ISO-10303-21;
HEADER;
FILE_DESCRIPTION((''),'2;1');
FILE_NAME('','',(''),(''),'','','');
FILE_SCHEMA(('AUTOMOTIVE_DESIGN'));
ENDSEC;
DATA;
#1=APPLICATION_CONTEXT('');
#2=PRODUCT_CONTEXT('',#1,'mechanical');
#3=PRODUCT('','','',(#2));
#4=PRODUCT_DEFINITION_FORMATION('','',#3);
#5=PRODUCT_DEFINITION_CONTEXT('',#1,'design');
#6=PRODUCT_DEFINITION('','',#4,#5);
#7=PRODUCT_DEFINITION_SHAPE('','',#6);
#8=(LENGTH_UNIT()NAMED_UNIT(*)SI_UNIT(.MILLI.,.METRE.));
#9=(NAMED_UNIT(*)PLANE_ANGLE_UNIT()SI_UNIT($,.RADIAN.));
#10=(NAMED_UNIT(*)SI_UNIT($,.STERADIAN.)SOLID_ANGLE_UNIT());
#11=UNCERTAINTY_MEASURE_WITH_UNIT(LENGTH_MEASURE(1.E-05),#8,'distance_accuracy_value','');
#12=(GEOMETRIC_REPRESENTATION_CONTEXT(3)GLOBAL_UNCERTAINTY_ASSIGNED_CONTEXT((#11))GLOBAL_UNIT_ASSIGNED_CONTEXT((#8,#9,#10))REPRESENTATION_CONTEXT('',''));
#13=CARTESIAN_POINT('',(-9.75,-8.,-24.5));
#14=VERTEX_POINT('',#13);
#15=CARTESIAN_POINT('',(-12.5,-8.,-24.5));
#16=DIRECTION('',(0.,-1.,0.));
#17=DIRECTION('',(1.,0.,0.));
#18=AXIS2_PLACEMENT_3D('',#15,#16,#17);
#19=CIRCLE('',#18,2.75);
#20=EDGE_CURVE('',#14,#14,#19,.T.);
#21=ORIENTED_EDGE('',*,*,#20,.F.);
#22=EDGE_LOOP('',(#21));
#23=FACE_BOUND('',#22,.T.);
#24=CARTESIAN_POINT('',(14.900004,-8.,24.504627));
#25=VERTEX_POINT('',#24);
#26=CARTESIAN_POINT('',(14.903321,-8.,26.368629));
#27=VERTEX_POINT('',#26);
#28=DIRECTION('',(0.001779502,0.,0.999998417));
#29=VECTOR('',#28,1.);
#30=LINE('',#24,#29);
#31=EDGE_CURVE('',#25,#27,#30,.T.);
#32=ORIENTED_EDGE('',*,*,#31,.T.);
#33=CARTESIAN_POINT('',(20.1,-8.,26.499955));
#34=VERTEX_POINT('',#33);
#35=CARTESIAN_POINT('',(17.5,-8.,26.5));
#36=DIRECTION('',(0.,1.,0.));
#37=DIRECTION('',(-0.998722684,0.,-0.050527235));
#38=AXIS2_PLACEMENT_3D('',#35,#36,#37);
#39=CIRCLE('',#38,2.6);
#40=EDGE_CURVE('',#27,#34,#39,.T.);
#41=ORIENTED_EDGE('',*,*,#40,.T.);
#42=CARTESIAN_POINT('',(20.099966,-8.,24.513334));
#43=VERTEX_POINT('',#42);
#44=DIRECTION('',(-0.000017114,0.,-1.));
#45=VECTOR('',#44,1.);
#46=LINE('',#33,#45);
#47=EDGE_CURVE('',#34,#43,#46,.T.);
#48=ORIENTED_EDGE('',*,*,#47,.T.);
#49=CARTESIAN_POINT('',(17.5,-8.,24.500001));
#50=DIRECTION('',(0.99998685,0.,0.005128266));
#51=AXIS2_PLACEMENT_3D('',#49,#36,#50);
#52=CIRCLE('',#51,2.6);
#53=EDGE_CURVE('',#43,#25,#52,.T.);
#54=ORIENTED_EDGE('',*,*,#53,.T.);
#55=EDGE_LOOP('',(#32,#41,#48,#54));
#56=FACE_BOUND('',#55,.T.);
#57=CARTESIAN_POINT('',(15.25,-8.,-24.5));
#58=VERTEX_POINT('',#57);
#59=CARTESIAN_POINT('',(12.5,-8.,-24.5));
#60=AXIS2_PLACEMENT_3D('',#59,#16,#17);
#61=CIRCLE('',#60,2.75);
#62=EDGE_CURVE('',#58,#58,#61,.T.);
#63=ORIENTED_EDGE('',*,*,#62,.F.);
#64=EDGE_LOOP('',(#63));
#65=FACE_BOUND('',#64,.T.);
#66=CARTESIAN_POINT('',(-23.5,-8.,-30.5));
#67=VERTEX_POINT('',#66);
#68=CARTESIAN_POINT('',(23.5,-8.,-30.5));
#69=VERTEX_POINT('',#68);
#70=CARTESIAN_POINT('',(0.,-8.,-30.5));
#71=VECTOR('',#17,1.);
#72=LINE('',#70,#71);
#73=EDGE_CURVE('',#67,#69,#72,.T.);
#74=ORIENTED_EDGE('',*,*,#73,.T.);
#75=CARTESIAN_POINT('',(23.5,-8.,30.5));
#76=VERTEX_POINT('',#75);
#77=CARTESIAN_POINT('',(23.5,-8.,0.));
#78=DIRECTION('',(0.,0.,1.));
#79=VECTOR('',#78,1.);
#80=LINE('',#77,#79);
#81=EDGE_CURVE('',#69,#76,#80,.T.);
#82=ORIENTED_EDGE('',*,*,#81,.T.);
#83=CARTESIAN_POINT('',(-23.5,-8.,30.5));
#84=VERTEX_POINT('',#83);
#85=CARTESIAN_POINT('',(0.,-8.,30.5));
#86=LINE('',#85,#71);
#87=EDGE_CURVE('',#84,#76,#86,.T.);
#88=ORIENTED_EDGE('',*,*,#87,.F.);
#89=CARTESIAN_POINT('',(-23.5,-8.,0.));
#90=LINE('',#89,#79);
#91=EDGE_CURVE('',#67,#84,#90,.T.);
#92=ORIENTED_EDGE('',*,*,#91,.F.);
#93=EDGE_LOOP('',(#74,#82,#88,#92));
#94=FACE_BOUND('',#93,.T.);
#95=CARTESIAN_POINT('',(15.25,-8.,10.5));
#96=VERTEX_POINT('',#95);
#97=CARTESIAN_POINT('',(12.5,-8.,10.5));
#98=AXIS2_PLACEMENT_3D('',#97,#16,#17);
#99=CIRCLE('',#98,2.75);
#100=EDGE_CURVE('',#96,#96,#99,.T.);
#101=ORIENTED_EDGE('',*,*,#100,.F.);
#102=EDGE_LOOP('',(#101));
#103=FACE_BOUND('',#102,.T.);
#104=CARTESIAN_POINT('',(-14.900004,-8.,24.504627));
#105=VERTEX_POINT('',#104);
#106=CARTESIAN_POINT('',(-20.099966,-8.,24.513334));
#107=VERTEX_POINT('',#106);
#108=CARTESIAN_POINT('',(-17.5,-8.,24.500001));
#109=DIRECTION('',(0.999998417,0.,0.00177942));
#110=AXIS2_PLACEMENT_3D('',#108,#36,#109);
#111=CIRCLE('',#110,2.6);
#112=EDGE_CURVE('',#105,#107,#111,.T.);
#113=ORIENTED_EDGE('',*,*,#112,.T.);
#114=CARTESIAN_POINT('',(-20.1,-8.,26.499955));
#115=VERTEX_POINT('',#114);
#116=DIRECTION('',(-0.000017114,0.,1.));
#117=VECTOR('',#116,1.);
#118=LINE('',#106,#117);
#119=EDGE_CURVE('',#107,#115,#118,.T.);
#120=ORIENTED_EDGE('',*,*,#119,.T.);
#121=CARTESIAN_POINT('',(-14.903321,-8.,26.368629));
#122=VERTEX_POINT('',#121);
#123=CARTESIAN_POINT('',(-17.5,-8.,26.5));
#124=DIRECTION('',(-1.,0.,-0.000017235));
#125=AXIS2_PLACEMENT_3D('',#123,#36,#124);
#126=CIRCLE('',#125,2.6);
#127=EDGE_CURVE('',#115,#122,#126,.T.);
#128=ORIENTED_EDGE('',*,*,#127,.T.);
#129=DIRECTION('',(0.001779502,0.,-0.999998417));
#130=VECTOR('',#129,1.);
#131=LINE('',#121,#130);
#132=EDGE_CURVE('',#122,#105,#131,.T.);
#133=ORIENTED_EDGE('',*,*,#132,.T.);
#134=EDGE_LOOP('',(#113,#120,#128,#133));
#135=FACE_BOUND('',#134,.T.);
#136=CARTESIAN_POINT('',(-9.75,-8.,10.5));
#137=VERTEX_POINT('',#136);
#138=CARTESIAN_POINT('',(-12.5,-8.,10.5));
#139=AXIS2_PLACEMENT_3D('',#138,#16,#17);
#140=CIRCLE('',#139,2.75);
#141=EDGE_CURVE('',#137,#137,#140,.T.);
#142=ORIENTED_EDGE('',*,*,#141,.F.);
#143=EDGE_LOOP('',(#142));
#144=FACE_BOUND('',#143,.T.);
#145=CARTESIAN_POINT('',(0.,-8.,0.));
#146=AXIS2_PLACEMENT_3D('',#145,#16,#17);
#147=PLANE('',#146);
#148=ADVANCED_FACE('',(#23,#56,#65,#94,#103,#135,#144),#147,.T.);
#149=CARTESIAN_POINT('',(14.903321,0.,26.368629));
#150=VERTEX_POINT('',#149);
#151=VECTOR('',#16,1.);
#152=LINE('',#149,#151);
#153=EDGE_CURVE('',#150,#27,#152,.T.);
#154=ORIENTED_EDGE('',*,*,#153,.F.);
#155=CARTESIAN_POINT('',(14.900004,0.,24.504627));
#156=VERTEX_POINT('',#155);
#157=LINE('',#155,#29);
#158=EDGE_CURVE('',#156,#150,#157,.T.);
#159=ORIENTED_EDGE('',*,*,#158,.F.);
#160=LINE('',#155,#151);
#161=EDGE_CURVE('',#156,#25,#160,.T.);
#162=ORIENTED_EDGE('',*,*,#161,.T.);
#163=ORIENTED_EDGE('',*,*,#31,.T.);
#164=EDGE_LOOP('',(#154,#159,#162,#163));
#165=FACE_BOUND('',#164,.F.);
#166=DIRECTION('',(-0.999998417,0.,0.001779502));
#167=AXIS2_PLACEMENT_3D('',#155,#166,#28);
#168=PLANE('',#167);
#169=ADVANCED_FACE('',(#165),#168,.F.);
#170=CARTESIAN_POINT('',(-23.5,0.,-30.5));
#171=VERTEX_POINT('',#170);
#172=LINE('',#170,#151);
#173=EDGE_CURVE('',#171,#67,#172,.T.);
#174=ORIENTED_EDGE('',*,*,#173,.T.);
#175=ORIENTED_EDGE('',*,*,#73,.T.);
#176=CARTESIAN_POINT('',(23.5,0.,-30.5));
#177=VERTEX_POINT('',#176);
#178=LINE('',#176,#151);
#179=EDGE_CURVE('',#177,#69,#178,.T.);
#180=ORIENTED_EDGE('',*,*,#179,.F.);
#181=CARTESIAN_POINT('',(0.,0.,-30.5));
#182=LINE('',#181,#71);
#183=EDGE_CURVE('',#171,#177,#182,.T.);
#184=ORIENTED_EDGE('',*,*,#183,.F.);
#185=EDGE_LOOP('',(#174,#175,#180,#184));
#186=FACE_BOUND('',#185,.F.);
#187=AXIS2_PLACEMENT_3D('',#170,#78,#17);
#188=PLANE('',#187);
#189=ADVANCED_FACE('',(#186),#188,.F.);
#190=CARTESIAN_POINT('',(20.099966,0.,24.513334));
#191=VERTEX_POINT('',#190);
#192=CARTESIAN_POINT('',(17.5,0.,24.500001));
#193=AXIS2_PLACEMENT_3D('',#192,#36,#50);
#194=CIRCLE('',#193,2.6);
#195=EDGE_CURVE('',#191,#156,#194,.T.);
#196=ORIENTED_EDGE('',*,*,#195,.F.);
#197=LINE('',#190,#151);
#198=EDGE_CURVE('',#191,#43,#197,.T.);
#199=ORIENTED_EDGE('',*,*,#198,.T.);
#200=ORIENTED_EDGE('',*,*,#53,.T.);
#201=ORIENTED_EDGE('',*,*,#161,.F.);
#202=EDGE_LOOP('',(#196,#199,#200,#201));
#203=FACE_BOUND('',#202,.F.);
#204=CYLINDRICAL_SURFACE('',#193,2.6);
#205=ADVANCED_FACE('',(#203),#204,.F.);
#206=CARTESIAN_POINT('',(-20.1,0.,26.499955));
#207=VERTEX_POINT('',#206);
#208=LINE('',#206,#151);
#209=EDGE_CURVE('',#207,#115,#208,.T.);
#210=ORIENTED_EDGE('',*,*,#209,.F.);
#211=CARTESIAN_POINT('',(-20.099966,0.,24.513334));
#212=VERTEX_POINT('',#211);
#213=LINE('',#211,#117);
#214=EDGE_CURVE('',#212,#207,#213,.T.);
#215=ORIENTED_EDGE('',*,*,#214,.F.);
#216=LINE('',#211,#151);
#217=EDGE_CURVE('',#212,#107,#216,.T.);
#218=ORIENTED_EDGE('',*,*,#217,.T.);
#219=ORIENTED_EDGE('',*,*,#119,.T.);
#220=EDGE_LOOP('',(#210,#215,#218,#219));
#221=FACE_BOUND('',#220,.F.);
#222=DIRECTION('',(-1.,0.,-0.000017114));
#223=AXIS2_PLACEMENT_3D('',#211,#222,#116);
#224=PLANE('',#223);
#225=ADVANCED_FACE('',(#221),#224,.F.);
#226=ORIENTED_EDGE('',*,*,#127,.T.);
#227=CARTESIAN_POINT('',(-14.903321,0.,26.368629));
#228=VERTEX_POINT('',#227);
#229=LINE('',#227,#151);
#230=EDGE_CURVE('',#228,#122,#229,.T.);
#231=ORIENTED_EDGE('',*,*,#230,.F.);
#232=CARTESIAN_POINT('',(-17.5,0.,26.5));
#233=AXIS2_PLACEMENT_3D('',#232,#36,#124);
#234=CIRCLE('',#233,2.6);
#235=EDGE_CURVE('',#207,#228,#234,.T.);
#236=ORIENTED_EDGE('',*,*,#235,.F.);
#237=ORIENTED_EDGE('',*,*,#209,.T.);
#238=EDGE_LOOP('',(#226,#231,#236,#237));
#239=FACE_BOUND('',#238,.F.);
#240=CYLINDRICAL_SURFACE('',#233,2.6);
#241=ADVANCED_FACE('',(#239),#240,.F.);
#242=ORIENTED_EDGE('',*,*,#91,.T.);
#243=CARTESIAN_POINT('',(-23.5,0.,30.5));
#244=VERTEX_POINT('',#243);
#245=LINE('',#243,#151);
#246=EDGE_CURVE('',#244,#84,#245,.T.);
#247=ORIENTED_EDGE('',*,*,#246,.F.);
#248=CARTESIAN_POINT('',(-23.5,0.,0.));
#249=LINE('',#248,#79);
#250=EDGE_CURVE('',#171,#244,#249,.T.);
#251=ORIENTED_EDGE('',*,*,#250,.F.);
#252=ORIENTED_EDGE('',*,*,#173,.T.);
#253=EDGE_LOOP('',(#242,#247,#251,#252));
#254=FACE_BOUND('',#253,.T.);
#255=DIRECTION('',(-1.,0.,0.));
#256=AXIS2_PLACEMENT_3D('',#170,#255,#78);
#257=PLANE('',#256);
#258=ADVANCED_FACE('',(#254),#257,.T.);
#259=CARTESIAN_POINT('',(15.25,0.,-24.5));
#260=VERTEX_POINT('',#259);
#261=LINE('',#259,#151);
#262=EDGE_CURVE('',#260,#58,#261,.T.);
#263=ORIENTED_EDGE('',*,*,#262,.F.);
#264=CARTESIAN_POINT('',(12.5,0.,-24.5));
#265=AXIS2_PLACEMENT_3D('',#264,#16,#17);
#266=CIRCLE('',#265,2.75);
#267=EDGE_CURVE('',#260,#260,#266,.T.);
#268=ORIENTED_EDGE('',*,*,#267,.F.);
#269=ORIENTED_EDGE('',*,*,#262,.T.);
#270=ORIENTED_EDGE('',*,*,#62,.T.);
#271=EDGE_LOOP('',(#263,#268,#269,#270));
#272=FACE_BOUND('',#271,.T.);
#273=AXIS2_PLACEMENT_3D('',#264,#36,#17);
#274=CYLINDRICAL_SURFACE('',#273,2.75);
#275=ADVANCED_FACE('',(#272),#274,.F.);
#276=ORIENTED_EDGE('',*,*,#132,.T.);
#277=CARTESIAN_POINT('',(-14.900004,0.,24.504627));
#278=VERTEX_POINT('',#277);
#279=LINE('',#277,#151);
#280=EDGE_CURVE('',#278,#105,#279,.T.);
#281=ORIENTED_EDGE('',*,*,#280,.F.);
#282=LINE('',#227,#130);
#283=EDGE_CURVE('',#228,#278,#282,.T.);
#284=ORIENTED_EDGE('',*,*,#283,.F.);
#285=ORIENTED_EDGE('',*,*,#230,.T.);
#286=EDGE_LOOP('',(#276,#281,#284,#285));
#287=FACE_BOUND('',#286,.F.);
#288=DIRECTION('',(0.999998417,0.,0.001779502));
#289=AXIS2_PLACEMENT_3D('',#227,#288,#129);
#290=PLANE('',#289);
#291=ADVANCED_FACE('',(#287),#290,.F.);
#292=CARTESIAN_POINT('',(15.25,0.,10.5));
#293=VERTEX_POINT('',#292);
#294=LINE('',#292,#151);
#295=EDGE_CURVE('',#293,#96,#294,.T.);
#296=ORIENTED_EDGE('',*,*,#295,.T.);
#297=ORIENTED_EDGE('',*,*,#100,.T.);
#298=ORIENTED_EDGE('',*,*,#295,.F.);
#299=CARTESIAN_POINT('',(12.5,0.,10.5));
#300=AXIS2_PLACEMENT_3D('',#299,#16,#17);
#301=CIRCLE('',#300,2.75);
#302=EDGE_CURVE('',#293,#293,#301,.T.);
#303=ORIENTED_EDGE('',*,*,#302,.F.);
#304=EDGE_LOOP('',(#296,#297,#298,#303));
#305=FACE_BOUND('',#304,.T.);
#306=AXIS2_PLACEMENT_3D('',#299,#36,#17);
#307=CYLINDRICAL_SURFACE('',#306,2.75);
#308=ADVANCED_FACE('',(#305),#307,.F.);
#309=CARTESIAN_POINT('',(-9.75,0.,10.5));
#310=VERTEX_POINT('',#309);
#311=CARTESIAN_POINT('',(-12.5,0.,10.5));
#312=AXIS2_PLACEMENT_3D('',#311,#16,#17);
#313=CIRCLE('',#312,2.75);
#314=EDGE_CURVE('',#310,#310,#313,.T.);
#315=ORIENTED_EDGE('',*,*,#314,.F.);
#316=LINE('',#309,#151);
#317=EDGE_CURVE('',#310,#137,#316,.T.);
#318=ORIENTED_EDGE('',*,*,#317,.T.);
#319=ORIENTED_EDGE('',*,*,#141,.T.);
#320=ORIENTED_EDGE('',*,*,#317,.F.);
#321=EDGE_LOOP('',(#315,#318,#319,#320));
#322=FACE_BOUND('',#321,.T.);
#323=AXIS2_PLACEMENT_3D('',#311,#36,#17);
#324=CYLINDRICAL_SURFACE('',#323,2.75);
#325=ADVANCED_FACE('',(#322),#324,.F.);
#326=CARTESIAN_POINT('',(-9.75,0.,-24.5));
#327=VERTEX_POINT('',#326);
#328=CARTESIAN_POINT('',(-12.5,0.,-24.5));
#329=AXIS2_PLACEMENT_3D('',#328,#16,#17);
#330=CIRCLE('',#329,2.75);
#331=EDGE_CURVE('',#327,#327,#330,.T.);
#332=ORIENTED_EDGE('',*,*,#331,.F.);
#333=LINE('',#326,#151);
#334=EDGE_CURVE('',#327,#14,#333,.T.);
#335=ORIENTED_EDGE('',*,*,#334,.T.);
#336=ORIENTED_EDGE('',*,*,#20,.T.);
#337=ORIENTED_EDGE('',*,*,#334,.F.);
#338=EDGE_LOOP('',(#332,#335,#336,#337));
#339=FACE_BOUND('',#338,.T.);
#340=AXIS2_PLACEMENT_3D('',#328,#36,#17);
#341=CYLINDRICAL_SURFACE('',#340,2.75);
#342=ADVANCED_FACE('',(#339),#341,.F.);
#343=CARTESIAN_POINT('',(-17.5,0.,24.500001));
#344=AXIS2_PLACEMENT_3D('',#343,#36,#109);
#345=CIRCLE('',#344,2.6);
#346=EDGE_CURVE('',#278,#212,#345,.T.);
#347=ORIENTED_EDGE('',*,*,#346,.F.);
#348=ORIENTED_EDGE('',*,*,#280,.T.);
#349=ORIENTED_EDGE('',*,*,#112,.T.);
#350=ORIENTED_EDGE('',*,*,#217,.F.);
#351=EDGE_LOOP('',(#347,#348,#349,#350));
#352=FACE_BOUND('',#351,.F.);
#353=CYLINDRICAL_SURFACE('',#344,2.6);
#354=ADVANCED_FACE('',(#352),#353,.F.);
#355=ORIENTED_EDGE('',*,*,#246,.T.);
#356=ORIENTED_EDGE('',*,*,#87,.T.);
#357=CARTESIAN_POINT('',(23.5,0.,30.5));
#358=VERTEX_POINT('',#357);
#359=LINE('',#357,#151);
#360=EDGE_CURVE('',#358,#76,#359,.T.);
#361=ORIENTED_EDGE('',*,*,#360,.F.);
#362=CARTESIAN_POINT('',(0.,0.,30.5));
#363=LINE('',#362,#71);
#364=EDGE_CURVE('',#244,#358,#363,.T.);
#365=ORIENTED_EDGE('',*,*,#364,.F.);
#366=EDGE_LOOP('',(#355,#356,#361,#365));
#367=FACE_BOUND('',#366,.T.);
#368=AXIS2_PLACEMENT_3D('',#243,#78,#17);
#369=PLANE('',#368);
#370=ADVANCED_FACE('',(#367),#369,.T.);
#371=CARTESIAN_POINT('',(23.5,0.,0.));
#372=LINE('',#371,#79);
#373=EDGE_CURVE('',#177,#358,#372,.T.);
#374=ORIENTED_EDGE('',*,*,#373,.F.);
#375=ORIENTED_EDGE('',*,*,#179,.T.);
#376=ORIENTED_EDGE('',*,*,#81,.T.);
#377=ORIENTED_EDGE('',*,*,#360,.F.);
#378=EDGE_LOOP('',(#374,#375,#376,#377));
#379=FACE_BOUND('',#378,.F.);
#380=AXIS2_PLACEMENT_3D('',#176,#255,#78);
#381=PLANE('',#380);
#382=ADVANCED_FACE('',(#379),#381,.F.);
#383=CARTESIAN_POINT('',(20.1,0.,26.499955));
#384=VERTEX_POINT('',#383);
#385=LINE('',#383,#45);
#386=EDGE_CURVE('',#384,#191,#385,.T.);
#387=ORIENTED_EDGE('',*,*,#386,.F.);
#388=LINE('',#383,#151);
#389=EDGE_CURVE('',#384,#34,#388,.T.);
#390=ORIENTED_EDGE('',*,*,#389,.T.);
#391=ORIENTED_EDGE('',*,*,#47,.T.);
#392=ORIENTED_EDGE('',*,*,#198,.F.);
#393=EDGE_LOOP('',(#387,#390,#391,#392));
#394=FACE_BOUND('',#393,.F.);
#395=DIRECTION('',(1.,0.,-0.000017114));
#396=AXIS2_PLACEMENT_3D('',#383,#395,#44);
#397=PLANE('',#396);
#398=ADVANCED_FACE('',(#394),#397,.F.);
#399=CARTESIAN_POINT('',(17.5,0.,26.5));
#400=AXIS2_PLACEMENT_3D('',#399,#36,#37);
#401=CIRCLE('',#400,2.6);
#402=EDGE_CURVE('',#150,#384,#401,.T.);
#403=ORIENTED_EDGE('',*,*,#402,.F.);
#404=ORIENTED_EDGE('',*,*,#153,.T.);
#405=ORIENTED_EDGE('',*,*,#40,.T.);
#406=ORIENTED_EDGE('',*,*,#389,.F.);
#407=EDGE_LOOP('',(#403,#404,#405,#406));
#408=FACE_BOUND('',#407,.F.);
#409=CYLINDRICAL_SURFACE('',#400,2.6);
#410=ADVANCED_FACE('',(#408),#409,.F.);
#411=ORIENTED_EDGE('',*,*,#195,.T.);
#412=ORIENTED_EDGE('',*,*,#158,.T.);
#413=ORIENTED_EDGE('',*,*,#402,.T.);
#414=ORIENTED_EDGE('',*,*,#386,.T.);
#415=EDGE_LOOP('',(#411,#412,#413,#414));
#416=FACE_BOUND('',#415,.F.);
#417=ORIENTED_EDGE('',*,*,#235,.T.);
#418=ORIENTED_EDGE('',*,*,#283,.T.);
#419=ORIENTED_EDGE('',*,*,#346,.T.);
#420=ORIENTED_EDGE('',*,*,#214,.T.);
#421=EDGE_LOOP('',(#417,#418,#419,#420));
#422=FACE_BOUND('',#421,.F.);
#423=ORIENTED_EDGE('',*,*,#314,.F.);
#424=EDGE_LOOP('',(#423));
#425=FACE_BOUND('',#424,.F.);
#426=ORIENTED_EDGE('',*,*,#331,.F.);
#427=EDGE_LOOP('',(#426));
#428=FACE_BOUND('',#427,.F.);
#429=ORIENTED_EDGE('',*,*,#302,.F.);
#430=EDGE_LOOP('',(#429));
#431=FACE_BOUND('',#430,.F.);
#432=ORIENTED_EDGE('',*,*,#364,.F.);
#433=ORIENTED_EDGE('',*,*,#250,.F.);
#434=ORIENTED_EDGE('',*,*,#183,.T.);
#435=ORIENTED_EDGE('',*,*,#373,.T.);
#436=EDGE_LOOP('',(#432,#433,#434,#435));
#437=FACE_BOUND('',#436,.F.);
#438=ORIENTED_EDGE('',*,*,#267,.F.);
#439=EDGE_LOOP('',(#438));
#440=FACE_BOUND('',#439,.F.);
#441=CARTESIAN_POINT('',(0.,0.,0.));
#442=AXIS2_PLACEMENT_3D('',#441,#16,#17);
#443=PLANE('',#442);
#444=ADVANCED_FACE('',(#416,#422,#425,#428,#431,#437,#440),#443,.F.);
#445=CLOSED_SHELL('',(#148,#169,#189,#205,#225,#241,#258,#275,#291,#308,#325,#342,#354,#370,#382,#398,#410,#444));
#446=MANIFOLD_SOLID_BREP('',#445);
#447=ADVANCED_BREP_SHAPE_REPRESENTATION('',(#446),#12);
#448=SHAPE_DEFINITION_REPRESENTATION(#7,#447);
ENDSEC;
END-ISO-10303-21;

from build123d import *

# Parameters (mm, degrees)
F0_W     = 47
F0_H     = 61
F0_R     = 2.75
F1_DEPTH = 8


with BuildPart() as f1:
    # F0 (on Front) → F1 (new body)
    with BuildSketch(Plane.XZ):
        Rectangle(F0_W, F0_H)
        with Locations((-12.5, -24.5)):
            Circle(F0_R, mode=Mode.SUBTRACT)
        with Locations((12.5, -24.5)):
            Circle(F0_R, mode=Mode.SUBTRACT)
        with Locations((-12.5, 10.5)):
            Circle(F0_R, mode=Mode.SUBTRACT)
        with BuildLine():
            ThreePointArc((-14.900004, 24.504627), (-17.504354, 21.900004), (-20.099966, 24.513334))
            Line((-20.099966, 24.513334), (-20.1, 26.499955))
            ThreePointArc((-20.1, 26.499955), (-17.434316, 29.09917), (-14.903321, 26.368629))
            Line((-14.903321, 26.368629), (-14.900004, 24.504627))
        make_face(mode=Mode.SUBTRACT)
        with Locations((12.5, 10.5)):
            Circle(F0_R, mode=Mode.SUBTRACT)
        with BuildLine():
            Line((20.1, 26.499955), (20.099966, 24.513334))
            ThreePointArc((20.099966, 24.513334), (17.504354, 21.900004), (14.900004, 24.504627))
            Line((14.900004, 24.504627), (14.903321, 26.368629))
            ThreePointArc((14.903321, 26.368629), (17.434316, 29.09917), (20.1, 26.499955))
        make_face(mode=Mode.SUBTRACT)
    extrude(amount=F1_DEPTH)


solid = f1.part
